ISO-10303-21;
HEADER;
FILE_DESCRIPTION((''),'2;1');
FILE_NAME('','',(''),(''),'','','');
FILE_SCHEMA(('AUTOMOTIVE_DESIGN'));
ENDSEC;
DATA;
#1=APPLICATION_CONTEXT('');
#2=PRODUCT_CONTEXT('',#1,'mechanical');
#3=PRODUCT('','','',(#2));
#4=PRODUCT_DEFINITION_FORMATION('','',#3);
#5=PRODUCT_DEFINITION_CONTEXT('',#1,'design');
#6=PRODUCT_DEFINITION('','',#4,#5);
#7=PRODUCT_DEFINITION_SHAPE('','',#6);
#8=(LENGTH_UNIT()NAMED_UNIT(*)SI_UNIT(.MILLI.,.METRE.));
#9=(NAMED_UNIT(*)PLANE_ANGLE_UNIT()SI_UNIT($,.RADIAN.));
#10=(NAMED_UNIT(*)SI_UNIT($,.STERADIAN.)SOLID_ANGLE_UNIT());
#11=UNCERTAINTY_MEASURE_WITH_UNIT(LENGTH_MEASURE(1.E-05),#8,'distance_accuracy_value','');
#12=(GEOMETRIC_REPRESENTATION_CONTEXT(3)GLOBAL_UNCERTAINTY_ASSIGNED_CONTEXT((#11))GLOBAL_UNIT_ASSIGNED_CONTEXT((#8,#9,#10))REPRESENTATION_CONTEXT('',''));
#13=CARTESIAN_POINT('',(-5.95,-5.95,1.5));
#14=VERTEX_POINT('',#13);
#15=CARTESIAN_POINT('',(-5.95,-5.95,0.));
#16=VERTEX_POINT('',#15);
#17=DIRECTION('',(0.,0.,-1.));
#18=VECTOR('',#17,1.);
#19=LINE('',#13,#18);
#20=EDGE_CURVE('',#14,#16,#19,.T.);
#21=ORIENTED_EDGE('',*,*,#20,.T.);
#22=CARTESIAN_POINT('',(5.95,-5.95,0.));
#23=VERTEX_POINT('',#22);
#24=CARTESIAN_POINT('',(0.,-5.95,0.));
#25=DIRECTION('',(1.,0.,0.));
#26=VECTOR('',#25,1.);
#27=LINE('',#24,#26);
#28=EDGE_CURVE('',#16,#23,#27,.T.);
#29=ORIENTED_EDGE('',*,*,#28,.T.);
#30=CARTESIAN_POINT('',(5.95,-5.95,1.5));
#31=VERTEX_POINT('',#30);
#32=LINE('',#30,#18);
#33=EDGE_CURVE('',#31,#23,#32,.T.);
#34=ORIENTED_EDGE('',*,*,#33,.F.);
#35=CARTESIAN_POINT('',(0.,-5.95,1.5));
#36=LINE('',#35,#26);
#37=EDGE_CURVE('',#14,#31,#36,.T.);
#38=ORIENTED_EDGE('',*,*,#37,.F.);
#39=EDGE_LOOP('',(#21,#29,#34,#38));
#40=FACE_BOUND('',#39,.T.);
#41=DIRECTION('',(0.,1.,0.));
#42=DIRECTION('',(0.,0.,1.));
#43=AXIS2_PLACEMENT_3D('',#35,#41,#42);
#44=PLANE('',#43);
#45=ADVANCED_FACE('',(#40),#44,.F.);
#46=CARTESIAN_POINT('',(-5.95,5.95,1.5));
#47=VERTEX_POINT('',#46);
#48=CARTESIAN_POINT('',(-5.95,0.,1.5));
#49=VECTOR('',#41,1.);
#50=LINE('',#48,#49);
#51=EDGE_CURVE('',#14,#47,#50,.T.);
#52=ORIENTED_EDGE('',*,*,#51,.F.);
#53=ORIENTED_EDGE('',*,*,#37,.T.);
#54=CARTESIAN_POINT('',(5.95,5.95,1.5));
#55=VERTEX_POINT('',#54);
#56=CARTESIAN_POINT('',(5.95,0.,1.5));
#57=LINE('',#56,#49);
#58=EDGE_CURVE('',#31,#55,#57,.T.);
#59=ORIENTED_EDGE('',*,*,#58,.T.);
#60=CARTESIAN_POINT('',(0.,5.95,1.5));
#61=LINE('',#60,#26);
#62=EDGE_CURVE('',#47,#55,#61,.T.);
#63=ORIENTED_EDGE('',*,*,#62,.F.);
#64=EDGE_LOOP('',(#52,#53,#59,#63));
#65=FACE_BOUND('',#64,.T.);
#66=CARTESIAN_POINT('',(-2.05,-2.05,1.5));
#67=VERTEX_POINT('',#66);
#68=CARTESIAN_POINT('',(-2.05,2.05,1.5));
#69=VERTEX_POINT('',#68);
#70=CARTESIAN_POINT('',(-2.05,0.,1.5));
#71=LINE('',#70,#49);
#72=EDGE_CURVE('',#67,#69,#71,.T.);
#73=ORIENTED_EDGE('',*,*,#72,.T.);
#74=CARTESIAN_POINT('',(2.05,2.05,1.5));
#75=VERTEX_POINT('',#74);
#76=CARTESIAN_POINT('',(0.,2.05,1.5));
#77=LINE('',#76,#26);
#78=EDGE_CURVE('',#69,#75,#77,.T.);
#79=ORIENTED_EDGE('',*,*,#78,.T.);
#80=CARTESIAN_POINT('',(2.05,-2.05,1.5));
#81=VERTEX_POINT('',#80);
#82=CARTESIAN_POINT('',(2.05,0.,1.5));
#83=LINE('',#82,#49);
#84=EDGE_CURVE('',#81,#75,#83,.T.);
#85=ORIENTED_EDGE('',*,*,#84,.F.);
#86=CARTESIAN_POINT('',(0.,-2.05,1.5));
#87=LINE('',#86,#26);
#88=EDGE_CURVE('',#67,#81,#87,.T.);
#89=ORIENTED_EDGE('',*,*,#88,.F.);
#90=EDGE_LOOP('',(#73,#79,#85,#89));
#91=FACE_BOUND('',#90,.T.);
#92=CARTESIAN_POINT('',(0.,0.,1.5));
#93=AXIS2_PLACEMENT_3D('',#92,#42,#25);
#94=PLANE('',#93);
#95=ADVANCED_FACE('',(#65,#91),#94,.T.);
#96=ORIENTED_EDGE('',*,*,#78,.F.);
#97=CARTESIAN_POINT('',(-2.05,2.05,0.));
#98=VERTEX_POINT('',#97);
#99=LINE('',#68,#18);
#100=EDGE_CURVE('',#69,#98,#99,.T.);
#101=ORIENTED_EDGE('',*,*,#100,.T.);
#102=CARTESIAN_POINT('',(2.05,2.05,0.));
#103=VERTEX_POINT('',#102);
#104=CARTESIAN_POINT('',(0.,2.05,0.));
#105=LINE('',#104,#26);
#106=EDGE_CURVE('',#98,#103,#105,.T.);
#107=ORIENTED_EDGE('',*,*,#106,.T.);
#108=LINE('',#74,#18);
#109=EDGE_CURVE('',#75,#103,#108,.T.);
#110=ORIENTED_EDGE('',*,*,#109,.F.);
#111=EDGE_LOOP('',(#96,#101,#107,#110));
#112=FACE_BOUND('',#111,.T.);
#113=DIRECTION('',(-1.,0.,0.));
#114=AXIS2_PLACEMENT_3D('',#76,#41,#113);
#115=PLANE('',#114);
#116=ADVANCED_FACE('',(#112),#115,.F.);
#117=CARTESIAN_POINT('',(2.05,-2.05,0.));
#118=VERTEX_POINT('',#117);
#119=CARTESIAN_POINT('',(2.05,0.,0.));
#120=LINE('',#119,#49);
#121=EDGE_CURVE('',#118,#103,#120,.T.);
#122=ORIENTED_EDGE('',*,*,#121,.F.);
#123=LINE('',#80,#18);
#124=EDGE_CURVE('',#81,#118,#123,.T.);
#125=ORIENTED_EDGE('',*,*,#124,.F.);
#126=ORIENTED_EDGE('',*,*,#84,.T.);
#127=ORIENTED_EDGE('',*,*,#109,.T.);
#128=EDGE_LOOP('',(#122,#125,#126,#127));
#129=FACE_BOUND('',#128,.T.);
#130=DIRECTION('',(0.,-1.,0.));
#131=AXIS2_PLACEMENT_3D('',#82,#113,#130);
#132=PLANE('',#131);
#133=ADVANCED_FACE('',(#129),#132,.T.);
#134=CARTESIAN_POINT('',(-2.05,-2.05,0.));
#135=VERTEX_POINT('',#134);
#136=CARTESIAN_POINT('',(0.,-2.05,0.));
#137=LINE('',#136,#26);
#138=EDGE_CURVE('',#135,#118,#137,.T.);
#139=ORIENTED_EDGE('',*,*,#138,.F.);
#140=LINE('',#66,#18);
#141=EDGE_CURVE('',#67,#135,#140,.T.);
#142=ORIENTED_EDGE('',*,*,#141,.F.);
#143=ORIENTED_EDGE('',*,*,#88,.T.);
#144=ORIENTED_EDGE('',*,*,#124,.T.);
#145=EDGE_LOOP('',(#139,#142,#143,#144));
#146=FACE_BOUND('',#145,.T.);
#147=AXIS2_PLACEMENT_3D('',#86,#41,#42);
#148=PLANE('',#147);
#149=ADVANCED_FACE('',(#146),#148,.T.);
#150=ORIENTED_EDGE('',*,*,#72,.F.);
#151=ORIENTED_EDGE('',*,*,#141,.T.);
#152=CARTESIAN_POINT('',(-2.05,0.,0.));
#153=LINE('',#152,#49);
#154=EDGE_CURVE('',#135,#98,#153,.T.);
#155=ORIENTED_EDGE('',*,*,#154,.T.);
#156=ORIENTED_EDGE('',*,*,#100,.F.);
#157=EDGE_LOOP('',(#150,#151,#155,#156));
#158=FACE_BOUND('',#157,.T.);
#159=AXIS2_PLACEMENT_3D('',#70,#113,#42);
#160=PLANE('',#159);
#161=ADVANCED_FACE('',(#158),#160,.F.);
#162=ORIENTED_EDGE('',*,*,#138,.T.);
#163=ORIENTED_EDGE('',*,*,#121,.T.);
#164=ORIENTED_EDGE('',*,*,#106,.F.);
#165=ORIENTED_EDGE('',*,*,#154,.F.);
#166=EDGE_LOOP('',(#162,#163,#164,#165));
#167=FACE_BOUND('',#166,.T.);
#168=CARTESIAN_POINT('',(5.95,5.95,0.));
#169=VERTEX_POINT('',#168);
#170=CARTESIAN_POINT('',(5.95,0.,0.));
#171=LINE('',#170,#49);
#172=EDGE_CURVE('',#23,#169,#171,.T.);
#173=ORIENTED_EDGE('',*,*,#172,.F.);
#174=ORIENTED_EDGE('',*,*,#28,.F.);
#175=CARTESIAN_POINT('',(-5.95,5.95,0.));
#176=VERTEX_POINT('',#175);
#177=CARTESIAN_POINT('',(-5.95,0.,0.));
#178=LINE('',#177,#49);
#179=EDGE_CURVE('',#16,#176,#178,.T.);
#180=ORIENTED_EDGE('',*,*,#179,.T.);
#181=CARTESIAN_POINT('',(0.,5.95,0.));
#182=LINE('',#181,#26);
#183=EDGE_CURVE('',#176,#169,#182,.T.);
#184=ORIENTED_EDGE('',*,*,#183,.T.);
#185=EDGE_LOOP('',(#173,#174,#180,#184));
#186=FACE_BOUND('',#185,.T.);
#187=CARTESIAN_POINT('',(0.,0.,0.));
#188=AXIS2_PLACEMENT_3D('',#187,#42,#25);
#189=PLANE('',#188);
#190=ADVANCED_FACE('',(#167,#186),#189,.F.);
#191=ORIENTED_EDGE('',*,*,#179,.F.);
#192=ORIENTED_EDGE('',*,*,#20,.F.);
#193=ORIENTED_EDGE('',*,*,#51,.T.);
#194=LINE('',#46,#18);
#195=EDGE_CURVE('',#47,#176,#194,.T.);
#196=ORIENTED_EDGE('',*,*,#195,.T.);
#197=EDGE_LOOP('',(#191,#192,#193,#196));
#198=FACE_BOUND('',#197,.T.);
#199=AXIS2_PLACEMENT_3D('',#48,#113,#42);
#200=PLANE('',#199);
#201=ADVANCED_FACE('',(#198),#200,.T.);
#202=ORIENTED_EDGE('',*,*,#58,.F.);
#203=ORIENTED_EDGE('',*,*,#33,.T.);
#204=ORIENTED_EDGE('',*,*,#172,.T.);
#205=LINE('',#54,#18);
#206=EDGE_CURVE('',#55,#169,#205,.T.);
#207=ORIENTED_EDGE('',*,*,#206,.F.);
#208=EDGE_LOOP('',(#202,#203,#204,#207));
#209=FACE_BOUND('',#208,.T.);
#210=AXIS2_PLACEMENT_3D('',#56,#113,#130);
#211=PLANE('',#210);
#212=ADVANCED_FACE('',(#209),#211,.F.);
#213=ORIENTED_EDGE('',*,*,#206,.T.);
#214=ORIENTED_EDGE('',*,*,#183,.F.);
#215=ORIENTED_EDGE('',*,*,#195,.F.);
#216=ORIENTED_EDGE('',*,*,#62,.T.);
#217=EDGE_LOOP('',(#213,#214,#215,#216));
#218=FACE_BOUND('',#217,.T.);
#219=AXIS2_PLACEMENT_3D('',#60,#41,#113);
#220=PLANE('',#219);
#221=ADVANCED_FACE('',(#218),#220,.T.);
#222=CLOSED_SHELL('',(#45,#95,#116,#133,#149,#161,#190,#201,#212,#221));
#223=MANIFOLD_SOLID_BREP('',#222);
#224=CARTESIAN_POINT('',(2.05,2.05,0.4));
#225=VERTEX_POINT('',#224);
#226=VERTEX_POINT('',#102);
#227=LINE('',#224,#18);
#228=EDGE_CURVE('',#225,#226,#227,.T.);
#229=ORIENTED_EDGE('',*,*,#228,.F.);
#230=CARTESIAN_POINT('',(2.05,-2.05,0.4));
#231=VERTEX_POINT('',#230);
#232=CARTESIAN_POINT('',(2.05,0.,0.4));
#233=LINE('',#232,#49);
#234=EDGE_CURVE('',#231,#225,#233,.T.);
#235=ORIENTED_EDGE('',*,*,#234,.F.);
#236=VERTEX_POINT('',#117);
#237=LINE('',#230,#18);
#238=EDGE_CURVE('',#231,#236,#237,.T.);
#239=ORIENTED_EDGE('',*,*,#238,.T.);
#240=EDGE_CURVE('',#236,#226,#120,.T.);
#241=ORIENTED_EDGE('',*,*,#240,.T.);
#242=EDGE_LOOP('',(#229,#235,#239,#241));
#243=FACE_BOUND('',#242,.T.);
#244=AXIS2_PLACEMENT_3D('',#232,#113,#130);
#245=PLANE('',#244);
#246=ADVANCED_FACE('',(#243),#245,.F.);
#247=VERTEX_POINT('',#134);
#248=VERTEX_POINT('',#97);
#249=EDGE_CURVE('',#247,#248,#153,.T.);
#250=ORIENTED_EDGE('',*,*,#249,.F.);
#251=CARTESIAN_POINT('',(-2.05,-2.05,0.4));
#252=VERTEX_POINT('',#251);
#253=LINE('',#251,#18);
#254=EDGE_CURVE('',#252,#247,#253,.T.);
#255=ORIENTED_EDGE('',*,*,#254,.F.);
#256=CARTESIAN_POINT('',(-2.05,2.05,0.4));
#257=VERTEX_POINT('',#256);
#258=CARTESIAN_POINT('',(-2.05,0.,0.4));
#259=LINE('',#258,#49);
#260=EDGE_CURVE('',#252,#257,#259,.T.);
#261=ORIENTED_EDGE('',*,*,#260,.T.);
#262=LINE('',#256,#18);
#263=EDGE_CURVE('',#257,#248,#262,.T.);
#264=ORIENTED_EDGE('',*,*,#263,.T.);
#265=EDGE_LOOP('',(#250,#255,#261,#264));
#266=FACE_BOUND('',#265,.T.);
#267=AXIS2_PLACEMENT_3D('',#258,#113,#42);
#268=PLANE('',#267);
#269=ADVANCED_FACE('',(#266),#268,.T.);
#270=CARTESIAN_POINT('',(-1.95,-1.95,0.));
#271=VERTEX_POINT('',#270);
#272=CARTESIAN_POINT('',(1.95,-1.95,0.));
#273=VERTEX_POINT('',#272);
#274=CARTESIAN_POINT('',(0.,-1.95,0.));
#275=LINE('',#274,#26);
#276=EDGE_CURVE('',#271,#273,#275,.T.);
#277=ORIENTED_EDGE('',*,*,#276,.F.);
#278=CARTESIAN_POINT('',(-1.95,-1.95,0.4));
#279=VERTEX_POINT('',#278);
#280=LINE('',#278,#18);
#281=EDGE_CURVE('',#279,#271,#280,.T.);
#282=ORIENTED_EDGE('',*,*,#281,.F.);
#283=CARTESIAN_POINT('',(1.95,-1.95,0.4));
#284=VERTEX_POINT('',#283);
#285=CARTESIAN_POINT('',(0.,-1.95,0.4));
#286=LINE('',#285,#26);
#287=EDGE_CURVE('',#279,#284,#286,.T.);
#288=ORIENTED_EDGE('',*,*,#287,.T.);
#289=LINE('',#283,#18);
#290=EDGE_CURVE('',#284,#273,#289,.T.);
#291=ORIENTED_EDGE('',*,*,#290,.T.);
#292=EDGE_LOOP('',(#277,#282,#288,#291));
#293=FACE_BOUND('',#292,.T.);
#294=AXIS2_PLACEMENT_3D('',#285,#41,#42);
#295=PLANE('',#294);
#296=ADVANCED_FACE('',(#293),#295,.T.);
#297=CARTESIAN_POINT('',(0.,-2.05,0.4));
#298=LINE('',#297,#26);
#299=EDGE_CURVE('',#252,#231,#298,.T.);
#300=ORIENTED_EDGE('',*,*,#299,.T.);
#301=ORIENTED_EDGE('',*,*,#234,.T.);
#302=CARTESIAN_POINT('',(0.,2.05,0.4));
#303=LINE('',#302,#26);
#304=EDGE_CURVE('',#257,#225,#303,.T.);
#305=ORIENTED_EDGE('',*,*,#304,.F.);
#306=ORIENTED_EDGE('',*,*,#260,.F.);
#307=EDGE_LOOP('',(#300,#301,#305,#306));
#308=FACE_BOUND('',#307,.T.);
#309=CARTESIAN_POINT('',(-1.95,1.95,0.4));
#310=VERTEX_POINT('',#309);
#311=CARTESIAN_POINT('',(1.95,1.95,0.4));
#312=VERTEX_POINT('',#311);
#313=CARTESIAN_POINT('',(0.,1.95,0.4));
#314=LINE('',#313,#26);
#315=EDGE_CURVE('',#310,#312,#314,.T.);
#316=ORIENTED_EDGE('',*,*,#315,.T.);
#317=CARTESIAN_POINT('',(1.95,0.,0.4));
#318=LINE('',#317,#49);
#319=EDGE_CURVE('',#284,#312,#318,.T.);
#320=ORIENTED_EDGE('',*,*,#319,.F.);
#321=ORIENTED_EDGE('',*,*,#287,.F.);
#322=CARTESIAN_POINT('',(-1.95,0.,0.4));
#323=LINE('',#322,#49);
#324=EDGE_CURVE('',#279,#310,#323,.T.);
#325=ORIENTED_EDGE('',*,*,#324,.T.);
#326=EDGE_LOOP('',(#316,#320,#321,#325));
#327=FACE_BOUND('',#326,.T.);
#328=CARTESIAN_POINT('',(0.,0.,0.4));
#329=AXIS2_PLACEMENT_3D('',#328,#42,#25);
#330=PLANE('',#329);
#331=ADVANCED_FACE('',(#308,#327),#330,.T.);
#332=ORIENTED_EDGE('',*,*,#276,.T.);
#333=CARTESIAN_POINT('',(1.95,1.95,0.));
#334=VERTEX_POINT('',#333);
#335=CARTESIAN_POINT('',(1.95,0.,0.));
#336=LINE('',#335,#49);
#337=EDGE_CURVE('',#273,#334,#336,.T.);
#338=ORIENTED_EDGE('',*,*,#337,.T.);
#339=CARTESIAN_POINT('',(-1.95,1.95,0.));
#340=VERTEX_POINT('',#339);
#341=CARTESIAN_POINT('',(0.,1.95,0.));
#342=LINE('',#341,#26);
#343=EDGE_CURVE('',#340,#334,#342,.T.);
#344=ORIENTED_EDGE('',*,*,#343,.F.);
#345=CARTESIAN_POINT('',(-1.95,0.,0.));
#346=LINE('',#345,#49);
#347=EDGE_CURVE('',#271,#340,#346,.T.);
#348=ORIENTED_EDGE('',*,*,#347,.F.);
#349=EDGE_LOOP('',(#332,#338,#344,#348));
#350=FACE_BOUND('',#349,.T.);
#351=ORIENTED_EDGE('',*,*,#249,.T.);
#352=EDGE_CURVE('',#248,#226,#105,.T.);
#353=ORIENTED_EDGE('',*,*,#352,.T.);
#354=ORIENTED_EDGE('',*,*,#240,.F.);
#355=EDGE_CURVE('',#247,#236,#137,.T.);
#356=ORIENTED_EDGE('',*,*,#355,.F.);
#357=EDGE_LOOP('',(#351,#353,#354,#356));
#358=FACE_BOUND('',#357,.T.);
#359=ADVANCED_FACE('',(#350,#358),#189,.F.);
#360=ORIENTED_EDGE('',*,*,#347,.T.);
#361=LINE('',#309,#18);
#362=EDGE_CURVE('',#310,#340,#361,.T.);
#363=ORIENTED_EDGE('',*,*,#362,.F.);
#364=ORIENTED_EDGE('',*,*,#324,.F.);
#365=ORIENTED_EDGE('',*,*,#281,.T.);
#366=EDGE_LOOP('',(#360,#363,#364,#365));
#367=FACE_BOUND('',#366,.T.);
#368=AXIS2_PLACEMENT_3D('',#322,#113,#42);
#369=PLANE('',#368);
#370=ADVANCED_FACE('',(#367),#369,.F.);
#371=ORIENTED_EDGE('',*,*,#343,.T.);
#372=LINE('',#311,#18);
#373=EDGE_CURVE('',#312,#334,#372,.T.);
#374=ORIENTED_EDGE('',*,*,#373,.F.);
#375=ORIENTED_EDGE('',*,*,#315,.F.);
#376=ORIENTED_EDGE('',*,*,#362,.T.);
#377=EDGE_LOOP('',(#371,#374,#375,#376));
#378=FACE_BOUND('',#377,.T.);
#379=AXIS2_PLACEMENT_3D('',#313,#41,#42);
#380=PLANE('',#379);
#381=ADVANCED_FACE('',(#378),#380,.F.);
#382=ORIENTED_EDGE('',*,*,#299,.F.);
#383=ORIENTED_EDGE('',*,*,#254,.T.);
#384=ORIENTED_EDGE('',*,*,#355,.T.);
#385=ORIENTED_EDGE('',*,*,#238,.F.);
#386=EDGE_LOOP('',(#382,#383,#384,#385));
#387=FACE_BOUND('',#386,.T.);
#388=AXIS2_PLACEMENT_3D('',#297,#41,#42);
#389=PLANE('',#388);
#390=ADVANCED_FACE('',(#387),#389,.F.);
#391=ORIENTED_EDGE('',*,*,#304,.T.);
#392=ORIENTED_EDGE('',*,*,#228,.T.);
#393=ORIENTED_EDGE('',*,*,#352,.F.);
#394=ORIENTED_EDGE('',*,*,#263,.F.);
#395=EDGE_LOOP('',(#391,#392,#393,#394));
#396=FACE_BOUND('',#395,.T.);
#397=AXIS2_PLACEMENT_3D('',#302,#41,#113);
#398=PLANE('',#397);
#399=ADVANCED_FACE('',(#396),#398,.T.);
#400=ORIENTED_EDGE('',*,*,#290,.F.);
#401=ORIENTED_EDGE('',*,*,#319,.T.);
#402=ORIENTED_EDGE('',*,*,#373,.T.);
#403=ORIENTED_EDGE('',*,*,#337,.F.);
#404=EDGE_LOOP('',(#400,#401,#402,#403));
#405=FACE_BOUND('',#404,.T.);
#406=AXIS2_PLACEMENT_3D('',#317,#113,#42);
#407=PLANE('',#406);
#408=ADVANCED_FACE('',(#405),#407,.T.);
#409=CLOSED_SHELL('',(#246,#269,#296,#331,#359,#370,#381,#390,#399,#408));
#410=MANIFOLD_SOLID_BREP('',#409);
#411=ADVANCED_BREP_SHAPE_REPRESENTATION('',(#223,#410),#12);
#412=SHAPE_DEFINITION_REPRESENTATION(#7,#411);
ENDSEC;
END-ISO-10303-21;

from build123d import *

# Parameters (mm, degrees)
SKETCH1_W           = 11.9
SKETCH1_H           = 11.9
SKETCH1_W_2         = 4.1
SKETCH1_H_2         = 4.1
BOSS_EXTRUDE1_DEPTH = 1.5
SKETCH1_6_W         = 4.1
SKETCH1_6_H         = 4.1
SKETCH1_6_W_2       = 3.9
SKETCH1_6_H_2       = 3.9
BOSS_EXTRUDE2_DEPTH = 0.4


with BuildPart() as part:
    # Sketch1 → Boss-Extrude1 (new body)
    with BuildSketch(Plane.XY):
        Rectangle(SKETCH1_W, SKETCH1_H)
        Rectangle(SKETCH1_W_2, SKETCH1_H_2, mode=Mode.SUBTRACT)
    extrude(amount=BOSS_EXTRUDE1_DEPTH)


with BuildPart() as body_2:
    # Sketch1<6> → Boss-Extrude2 (new body)
    with BuildSketch(Plane.XY):
        Rectangle(SKETCH1_6_W, SKETCH1_6_H)
        Rectangle(SKETCH1_6_W_2, SKETCH1_6_H_2, mode=Mode.SUBTRACT)
    extrude(amount=BOSS_EXTRUDE2_DEPTH)


solid = Compound([part.part, body_2.part])
